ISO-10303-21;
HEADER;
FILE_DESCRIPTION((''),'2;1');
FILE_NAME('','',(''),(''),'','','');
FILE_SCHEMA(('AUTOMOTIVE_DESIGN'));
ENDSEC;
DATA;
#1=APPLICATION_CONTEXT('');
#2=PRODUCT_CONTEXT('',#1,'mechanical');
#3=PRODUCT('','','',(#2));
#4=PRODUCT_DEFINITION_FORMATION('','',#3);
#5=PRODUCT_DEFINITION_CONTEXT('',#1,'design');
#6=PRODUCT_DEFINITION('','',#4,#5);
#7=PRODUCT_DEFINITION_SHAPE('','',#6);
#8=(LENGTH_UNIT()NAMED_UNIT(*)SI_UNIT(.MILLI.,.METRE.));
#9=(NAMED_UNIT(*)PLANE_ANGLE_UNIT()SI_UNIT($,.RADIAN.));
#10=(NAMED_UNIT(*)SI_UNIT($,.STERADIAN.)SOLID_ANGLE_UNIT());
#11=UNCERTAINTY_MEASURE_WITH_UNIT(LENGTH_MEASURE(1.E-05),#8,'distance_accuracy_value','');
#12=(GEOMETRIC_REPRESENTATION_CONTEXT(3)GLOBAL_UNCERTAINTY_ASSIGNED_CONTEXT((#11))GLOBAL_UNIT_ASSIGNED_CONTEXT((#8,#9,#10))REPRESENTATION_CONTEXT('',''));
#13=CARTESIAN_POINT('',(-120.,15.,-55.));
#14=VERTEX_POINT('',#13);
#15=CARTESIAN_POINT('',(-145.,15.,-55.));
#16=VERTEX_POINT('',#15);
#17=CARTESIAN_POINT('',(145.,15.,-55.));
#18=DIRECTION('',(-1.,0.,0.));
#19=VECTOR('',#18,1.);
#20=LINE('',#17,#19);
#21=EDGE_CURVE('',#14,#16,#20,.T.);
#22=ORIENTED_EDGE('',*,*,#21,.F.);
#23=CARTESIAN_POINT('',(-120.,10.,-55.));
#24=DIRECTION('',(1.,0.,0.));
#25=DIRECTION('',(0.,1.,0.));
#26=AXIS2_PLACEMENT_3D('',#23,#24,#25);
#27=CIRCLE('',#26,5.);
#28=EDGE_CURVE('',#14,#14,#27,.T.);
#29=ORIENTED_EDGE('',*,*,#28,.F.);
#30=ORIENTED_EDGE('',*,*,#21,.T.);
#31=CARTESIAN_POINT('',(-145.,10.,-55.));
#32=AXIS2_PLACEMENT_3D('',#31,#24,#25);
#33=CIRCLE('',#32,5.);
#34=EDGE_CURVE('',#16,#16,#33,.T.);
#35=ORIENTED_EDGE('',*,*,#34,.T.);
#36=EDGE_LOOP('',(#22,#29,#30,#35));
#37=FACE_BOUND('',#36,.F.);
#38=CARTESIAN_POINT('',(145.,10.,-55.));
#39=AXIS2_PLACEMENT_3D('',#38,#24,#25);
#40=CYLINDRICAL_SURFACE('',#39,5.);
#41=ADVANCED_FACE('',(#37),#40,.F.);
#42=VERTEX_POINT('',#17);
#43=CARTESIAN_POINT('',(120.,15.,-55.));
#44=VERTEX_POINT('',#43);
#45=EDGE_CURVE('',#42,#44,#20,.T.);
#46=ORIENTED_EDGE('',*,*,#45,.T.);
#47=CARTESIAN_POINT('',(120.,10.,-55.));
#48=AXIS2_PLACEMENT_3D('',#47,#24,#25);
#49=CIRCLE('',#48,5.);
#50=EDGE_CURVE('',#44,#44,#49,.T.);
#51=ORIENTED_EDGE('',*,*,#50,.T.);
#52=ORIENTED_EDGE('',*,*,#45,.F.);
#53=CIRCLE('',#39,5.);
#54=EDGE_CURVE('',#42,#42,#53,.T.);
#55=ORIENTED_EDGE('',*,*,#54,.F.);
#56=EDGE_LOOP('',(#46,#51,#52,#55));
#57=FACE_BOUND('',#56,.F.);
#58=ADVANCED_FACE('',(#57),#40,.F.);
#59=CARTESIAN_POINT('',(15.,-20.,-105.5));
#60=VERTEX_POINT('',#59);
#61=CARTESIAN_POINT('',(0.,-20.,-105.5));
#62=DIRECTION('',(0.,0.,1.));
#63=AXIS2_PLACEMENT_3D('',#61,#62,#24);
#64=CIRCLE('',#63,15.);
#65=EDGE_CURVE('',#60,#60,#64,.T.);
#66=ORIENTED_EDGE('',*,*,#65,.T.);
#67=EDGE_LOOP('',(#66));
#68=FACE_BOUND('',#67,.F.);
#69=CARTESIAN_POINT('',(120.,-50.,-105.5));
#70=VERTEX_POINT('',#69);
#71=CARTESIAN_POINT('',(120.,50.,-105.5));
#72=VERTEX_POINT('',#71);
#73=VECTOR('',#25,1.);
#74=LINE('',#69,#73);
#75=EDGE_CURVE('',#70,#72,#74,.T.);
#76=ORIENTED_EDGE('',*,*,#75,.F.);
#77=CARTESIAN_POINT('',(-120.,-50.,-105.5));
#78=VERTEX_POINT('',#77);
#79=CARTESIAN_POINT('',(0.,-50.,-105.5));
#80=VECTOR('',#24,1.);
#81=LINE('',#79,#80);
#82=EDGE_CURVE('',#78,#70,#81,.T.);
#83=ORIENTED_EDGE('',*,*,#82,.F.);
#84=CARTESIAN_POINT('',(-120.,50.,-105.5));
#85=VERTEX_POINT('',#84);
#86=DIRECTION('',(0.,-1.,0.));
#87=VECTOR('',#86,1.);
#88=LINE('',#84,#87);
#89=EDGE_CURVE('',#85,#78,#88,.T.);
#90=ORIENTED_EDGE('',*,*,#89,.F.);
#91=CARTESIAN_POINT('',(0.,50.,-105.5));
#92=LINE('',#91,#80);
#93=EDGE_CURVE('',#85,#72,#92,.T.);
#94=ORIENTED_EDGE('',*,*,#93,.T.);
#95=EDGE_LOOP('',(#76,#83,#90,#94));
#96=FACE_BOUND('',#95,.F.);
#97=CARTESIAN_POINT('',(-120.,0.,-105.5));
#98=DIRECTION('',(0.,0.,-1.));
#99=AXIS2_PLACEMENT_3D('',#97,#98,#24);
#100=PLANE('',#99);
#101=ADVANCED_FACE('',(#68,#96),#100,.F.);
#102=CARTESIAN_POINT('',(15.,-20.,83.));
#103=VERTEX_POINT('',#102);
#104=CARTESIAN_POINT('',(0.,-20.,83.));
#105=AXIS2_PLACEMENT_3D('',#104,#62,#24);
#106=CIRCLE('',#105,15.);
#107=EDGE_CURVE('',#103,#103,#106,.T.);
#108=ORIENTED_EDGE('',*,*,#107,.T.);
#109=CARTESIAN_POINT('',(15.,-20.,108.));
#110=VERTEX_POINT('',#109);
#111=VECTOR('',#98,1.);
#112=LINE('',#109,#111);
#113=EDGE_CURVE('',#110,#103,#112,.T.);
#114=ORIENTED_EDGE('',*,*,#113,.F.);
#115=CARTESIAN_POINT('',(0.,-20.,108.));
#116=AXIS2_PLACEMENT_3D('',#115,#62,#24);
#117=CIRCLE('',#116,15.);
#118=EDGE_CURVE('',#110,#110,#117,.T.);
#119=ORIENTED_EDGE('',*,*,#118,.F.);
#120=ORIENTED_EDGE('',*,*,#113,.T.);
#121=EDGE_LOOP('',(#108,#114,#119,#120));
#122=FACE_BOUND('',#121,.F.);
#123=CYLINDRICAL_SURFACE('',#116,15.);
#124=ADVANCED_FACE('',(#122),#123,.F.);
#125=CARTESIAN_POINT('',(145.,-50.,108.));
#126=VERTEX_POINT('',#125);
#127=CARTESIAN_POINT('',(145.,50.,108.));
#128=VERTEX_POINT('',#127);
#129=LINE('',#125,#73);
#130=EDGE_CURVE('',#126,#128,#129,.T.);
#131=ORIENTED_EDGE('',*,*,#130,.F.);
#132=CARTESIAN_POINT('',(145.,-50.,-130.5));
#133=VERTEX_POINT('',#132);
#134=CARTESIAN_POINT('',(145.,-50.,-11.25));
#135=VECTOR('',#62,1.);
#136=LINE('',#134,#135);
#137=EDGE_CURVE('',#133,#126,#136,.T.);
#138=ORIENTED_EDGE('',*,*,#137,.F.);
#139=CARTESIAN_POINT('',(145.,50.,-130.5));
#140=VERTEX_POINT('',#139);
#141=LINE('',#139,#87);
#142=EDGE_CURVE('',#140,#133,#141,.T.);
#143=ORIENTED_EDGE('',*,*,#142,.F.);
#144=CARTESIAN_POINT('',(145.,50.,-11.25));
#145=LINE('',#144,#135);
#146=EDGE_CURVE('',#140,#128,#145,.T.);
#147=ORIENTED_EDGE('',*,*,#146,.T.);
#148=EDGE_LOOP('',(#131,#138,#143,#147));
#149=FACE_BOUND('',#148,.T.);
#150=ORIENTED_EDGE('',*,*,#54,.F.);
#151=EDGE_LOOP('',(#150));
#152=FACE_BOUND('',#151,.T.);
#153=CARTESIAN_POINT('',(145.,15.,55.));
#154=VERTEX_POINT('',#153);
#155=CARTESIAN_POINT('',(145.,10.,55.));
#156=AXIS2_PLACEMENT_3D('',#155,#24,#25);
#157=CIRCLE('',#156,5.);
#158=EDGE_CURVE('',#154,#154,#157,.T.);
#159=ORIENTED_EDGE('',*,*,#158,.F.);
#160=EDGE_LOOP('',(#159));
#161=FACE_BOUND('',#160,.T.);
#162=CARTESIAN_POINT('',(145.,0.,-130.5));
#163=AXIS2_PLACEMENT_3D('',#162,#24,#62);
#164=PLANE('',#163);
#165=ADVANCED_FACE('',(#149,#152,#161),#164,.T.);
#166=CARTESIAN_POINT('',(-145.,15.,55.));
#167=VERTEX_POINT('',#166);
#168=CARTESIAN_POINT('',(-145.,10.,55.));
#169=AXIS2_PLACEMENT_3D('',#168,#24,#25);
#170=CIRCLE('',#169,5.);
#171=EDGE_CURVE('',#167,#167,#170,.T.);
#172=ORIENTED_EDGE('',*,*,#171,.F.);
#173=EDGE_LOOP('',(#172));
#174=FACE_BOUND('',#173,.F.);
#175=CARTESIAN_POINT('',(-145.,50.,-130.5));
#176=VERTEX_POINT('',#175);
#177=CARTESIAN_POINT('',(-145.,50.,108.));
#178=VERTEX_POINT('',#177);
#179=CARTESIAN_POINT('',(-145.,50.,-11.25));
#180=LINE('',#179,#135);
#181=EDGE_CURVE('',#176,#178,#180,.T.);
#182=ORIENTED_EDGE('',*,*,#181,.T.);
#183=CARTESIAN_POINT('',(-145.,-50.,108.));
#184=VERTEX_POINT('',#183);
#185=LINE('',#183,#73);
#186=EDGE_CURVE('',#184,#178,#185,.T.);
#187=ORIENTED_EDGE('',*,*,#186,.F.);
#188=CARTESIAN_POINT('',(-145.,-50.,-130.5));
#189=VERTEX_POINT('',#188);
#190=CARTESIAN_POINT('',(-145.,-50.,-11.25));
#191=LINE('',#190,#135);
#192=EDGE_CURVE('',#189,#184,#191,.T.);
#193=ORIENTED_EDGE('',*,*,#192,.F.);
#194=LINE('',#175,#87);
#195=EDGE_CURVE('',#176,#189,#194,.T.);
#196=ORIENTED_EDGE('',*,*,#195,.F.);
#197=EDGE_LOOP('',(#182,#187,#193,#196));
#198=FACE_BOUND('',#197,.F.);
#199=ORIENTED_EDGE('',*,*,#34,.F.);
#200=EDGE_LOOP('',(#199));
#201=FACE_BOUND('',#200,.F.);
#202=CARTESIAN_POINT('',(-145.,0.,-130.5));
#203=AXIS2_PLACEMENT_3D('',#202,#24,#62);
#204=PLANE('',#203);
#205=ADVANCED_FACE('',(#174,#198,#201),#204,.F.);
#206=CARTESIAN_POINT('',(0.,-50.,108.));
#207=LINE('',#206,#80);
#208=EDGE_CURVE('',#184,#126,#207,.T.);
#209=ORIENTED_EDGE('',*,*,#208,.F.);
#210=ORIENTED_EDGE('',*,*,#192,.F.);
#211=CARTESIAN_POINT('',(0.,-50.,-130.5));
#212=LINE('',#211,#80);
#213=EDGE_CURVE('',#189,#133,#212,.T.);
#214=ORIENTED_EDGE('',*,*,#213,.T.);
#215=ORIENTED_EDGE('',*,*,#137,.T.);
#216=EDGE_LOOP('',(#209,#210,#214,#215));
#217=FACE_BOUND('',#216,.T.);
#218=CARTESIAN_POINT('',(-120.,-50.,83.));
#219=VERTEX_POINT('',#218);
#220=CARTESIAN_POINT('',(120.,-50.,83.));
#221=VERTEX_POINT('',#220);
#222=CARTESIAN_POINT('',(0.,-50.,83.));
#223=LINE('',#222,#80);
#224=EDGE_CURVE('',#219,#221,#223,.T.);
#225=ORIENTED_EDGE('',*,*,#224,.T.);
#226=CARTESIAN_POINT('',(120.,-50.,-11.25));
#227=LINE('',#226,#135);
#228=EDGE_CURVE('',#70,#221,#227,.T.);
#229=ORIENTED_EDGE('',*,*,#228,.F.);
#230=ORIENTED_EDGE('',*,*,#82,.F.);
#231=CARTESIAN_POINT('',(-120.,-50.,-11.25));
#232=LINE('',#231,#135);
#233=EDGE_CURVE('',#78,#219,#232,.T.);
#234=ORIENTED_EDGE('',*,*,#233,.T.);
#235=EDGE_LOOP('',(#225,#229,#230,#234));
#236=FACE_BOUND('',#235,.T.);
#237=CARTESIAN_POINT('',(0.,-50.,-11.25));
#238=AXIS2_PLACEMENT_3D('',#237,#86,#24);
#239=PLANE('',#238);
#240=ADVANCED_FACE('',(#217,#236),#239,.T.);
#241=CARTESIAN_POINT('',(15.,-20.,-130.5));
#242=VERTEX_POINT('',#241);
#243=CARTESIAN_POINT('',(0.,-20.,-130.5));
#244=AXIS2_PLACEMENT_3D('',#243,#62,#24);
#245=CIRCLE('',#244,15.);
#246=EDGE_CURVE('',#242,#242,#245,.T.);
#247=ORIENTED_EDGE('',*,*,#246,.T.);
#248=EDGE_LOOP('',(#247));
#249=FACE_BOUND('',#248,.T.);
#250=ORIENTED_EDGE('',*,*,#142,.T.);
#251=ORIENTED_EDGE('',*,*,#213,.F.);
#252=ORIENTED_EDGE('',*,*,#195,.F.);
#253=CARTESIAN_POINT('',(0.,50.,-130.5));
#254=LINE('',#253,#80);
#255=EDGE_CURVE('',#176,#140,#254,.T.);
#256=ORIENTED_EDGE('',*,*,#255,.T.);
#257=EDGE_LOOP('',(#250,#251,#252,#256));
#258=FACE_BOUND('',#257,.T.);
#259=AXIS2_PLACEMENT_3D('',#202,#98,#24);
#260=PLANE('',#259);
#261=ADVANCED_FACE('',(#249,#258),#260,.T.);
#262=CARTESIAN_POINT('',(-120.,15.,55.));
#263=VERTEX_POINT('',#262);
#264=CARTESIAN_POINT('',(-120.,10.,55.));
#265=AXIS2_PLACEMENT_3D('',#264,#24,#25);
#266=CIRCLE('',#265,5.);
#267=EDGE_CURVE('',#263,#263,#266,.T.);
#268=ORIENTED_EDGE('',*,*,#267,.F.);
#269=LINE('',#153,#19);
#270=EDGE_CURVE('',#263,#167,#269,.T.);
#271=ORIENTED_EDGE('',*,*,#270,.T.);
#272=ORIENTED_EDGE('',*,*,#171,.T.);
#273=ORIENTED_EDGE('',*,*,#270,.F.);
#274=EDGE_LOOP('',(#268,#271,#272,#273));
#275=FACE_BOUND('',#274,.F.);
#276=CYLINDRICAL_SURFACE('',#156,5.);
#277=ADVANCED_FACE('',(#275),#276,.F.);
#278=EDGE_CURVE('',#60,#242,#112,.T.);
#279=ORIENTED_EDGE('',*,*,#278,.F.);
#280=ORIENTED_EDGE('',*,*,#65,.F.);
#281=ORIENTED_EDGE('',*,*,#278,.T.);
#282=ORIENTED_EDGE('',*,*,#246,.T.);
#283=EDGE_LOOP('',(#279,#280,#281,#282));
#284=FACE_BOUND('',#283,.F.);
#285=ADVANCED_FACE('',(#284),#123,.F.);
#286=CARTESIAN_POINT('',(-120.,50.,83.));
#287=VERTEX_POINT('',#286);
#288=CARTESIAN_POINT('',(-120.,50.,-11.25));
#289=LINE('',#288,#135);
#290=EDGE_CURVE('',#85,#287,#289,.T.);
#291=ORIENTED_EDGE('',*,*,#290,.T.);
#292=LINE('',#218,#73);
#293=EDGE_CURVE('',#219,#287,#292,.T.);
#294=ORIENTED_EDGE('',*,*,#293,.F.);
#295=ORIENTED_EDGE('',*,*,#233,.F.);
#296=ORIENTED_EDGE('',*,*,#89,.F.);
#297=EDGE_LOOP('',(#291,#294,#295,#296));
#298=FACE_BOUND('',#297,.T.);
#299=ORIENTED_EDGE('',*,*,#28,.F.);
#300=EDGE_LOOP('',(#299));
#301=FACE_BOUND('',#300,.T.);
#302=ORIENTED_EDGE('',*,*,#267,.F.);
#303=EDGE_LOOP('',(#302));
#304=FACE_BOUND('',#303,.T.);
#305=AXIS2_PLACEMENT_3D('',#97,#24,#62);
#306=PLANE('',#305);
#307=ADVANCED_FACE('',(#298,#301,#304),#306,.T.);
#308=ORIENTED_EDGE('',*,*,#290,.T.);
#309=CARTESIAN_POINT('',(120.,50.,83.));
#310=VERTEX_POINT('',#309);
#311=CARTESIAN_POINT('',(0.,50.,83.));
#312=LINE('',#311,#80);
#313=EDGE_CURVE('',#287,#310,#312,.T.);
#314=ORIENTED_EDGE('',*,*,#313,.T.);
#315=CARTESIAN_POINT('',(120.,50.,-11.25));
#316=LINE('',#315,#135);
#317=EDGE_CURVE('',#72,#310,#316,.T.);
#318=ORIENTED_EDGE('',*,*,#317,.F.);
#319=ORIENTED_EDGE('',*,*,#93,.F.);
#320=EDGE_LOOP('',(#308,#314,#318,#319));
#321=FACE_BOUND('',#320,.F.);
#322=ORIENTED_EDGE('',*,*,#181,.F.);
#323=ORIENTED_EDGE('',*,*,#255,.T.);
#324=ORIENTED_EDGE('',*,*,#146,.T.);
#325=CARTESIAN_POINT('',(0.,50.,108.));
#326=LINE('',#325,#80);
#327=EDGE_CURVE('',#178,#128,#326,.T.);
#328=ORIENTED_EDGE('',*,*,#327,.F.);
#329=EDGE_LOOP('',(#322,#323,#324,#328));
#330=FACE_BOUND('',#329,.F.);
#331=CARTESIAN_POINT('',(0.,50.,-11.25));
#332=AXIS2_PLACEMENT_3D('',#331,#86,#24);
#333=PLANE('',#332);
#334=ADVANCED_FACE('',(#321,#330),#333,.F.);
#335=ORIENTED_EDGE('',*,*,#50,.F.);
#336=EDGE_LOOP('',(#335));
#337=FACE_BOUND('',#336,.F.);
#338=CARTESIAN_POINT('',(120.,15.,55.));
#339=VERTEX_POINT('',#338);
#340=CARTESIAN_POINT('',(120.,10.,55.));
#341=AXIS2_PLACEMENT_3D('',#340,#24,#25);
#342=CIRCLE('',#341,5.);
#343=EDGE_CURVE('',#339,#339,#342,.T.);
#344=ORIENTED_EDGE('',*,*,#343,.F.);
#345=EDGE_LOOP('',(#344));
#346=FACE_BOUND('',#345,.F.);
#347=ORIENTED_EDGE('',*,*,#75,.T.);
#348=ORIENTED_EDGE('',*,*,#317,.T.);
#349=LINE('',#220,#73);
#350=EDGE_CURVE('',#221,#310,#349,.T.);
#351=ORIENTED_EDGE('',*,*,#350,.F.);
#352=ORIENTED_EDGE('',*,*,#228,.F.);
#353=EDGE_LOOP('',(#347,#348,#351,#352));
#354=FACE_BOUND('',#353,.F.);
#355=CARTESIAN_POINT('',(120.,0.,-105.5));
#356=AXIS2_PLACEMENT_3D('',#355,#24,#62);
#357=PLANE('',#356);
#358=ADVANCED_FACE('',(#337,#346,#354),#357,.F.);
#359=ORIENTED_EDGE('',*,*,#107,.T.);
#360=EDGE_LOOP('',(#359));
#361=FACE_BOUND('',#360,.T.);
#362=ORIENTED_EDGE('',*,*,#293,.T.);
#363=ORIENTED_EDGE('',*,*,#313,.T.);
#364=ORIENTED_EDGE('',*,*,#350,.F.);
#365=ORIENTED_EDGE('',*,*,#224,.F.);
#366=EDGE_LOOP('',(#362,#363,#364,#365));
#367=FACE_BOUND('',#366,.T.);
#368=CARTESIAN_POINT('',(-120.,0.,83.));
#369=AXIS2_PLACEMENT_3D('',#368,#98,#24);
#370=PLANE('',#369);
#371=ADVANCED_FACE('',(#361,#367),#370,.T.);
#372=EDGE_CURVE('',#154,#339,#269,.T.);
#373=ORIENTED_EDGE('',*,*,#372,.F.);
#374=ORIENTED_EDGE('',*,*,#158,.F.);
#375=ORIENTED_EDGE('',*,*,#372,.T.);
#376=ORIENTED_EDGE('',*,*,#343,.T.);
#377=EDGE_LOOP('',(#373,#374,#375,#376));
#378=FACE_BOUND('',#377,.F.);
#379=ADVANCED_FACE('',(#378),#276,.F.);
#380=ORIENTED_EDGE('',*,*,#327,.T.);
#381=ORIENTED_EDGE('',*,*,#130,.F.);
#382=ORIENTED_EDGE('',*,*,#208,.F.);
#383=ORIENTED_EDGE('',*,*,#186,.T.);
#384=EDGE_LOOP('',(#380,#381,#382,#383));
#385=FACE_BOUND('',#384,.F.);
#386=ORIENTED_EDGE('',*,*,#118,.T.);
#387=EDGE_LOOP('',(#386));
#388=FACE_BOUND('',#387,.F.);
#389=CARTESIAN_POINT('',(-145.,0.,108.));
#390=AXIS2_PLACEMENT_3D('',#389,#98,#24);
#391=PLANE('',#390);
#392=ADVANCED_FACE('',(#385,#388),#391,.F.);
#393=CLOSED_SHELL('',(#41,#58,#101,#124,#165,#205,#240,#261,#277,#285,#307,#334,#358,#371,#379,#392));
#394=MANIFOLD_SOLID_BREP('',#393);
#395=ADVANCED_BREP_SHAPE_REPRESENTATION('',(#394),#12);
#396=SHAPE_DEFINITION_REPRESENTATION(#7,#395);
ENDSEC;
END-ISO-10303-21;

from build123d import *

# Parameters (mm, degrees)
F0_W     = 290
F0_H     = 238.5
F0_W_2   = 240
F0_H_2   = 188.5
F1_DEPTH = 50
F2_R     = 15
F3_DEPTH = 238.501
F4_R     = 5
F5_DEPTH = 290.001


with BuildPart() as f1:
    # F0 (on Front) → F1 (new body, symmetric)
    with BuildSketch(Plane.XZ):
        with Locations((0, -11.25)):
            Rectangle(F0_W, F0_H)
        with Locations((0, -11.25)):
            Rectangle(F0_W_2, F0_H_2, mode=Mode.SUBTRACT)
    extrude(amount=F1_DEPTH, both=True)

    # F2 (on face) → F3 (cut, through all)
    with BuildSketch(Plane.XY.offset(108)):
        with Locations((0, -20)):
            Circle(F2_R)
    extrude(amount=-F3_DEPTH, mode=Mode.SUBTRACT)

    # F4 (on face) → F5 (cut, through all)
    with BuildSketch(Plane.YZ.offset(145)):
        with Locations((10, 55)):
            Circle(F4_R)
        with Locations((10, -55)):
            Circle(F4_R)
    extrude(amount=-F5_DEPTH, mode=Mode.SUBTRACT)


solid = f1.part
